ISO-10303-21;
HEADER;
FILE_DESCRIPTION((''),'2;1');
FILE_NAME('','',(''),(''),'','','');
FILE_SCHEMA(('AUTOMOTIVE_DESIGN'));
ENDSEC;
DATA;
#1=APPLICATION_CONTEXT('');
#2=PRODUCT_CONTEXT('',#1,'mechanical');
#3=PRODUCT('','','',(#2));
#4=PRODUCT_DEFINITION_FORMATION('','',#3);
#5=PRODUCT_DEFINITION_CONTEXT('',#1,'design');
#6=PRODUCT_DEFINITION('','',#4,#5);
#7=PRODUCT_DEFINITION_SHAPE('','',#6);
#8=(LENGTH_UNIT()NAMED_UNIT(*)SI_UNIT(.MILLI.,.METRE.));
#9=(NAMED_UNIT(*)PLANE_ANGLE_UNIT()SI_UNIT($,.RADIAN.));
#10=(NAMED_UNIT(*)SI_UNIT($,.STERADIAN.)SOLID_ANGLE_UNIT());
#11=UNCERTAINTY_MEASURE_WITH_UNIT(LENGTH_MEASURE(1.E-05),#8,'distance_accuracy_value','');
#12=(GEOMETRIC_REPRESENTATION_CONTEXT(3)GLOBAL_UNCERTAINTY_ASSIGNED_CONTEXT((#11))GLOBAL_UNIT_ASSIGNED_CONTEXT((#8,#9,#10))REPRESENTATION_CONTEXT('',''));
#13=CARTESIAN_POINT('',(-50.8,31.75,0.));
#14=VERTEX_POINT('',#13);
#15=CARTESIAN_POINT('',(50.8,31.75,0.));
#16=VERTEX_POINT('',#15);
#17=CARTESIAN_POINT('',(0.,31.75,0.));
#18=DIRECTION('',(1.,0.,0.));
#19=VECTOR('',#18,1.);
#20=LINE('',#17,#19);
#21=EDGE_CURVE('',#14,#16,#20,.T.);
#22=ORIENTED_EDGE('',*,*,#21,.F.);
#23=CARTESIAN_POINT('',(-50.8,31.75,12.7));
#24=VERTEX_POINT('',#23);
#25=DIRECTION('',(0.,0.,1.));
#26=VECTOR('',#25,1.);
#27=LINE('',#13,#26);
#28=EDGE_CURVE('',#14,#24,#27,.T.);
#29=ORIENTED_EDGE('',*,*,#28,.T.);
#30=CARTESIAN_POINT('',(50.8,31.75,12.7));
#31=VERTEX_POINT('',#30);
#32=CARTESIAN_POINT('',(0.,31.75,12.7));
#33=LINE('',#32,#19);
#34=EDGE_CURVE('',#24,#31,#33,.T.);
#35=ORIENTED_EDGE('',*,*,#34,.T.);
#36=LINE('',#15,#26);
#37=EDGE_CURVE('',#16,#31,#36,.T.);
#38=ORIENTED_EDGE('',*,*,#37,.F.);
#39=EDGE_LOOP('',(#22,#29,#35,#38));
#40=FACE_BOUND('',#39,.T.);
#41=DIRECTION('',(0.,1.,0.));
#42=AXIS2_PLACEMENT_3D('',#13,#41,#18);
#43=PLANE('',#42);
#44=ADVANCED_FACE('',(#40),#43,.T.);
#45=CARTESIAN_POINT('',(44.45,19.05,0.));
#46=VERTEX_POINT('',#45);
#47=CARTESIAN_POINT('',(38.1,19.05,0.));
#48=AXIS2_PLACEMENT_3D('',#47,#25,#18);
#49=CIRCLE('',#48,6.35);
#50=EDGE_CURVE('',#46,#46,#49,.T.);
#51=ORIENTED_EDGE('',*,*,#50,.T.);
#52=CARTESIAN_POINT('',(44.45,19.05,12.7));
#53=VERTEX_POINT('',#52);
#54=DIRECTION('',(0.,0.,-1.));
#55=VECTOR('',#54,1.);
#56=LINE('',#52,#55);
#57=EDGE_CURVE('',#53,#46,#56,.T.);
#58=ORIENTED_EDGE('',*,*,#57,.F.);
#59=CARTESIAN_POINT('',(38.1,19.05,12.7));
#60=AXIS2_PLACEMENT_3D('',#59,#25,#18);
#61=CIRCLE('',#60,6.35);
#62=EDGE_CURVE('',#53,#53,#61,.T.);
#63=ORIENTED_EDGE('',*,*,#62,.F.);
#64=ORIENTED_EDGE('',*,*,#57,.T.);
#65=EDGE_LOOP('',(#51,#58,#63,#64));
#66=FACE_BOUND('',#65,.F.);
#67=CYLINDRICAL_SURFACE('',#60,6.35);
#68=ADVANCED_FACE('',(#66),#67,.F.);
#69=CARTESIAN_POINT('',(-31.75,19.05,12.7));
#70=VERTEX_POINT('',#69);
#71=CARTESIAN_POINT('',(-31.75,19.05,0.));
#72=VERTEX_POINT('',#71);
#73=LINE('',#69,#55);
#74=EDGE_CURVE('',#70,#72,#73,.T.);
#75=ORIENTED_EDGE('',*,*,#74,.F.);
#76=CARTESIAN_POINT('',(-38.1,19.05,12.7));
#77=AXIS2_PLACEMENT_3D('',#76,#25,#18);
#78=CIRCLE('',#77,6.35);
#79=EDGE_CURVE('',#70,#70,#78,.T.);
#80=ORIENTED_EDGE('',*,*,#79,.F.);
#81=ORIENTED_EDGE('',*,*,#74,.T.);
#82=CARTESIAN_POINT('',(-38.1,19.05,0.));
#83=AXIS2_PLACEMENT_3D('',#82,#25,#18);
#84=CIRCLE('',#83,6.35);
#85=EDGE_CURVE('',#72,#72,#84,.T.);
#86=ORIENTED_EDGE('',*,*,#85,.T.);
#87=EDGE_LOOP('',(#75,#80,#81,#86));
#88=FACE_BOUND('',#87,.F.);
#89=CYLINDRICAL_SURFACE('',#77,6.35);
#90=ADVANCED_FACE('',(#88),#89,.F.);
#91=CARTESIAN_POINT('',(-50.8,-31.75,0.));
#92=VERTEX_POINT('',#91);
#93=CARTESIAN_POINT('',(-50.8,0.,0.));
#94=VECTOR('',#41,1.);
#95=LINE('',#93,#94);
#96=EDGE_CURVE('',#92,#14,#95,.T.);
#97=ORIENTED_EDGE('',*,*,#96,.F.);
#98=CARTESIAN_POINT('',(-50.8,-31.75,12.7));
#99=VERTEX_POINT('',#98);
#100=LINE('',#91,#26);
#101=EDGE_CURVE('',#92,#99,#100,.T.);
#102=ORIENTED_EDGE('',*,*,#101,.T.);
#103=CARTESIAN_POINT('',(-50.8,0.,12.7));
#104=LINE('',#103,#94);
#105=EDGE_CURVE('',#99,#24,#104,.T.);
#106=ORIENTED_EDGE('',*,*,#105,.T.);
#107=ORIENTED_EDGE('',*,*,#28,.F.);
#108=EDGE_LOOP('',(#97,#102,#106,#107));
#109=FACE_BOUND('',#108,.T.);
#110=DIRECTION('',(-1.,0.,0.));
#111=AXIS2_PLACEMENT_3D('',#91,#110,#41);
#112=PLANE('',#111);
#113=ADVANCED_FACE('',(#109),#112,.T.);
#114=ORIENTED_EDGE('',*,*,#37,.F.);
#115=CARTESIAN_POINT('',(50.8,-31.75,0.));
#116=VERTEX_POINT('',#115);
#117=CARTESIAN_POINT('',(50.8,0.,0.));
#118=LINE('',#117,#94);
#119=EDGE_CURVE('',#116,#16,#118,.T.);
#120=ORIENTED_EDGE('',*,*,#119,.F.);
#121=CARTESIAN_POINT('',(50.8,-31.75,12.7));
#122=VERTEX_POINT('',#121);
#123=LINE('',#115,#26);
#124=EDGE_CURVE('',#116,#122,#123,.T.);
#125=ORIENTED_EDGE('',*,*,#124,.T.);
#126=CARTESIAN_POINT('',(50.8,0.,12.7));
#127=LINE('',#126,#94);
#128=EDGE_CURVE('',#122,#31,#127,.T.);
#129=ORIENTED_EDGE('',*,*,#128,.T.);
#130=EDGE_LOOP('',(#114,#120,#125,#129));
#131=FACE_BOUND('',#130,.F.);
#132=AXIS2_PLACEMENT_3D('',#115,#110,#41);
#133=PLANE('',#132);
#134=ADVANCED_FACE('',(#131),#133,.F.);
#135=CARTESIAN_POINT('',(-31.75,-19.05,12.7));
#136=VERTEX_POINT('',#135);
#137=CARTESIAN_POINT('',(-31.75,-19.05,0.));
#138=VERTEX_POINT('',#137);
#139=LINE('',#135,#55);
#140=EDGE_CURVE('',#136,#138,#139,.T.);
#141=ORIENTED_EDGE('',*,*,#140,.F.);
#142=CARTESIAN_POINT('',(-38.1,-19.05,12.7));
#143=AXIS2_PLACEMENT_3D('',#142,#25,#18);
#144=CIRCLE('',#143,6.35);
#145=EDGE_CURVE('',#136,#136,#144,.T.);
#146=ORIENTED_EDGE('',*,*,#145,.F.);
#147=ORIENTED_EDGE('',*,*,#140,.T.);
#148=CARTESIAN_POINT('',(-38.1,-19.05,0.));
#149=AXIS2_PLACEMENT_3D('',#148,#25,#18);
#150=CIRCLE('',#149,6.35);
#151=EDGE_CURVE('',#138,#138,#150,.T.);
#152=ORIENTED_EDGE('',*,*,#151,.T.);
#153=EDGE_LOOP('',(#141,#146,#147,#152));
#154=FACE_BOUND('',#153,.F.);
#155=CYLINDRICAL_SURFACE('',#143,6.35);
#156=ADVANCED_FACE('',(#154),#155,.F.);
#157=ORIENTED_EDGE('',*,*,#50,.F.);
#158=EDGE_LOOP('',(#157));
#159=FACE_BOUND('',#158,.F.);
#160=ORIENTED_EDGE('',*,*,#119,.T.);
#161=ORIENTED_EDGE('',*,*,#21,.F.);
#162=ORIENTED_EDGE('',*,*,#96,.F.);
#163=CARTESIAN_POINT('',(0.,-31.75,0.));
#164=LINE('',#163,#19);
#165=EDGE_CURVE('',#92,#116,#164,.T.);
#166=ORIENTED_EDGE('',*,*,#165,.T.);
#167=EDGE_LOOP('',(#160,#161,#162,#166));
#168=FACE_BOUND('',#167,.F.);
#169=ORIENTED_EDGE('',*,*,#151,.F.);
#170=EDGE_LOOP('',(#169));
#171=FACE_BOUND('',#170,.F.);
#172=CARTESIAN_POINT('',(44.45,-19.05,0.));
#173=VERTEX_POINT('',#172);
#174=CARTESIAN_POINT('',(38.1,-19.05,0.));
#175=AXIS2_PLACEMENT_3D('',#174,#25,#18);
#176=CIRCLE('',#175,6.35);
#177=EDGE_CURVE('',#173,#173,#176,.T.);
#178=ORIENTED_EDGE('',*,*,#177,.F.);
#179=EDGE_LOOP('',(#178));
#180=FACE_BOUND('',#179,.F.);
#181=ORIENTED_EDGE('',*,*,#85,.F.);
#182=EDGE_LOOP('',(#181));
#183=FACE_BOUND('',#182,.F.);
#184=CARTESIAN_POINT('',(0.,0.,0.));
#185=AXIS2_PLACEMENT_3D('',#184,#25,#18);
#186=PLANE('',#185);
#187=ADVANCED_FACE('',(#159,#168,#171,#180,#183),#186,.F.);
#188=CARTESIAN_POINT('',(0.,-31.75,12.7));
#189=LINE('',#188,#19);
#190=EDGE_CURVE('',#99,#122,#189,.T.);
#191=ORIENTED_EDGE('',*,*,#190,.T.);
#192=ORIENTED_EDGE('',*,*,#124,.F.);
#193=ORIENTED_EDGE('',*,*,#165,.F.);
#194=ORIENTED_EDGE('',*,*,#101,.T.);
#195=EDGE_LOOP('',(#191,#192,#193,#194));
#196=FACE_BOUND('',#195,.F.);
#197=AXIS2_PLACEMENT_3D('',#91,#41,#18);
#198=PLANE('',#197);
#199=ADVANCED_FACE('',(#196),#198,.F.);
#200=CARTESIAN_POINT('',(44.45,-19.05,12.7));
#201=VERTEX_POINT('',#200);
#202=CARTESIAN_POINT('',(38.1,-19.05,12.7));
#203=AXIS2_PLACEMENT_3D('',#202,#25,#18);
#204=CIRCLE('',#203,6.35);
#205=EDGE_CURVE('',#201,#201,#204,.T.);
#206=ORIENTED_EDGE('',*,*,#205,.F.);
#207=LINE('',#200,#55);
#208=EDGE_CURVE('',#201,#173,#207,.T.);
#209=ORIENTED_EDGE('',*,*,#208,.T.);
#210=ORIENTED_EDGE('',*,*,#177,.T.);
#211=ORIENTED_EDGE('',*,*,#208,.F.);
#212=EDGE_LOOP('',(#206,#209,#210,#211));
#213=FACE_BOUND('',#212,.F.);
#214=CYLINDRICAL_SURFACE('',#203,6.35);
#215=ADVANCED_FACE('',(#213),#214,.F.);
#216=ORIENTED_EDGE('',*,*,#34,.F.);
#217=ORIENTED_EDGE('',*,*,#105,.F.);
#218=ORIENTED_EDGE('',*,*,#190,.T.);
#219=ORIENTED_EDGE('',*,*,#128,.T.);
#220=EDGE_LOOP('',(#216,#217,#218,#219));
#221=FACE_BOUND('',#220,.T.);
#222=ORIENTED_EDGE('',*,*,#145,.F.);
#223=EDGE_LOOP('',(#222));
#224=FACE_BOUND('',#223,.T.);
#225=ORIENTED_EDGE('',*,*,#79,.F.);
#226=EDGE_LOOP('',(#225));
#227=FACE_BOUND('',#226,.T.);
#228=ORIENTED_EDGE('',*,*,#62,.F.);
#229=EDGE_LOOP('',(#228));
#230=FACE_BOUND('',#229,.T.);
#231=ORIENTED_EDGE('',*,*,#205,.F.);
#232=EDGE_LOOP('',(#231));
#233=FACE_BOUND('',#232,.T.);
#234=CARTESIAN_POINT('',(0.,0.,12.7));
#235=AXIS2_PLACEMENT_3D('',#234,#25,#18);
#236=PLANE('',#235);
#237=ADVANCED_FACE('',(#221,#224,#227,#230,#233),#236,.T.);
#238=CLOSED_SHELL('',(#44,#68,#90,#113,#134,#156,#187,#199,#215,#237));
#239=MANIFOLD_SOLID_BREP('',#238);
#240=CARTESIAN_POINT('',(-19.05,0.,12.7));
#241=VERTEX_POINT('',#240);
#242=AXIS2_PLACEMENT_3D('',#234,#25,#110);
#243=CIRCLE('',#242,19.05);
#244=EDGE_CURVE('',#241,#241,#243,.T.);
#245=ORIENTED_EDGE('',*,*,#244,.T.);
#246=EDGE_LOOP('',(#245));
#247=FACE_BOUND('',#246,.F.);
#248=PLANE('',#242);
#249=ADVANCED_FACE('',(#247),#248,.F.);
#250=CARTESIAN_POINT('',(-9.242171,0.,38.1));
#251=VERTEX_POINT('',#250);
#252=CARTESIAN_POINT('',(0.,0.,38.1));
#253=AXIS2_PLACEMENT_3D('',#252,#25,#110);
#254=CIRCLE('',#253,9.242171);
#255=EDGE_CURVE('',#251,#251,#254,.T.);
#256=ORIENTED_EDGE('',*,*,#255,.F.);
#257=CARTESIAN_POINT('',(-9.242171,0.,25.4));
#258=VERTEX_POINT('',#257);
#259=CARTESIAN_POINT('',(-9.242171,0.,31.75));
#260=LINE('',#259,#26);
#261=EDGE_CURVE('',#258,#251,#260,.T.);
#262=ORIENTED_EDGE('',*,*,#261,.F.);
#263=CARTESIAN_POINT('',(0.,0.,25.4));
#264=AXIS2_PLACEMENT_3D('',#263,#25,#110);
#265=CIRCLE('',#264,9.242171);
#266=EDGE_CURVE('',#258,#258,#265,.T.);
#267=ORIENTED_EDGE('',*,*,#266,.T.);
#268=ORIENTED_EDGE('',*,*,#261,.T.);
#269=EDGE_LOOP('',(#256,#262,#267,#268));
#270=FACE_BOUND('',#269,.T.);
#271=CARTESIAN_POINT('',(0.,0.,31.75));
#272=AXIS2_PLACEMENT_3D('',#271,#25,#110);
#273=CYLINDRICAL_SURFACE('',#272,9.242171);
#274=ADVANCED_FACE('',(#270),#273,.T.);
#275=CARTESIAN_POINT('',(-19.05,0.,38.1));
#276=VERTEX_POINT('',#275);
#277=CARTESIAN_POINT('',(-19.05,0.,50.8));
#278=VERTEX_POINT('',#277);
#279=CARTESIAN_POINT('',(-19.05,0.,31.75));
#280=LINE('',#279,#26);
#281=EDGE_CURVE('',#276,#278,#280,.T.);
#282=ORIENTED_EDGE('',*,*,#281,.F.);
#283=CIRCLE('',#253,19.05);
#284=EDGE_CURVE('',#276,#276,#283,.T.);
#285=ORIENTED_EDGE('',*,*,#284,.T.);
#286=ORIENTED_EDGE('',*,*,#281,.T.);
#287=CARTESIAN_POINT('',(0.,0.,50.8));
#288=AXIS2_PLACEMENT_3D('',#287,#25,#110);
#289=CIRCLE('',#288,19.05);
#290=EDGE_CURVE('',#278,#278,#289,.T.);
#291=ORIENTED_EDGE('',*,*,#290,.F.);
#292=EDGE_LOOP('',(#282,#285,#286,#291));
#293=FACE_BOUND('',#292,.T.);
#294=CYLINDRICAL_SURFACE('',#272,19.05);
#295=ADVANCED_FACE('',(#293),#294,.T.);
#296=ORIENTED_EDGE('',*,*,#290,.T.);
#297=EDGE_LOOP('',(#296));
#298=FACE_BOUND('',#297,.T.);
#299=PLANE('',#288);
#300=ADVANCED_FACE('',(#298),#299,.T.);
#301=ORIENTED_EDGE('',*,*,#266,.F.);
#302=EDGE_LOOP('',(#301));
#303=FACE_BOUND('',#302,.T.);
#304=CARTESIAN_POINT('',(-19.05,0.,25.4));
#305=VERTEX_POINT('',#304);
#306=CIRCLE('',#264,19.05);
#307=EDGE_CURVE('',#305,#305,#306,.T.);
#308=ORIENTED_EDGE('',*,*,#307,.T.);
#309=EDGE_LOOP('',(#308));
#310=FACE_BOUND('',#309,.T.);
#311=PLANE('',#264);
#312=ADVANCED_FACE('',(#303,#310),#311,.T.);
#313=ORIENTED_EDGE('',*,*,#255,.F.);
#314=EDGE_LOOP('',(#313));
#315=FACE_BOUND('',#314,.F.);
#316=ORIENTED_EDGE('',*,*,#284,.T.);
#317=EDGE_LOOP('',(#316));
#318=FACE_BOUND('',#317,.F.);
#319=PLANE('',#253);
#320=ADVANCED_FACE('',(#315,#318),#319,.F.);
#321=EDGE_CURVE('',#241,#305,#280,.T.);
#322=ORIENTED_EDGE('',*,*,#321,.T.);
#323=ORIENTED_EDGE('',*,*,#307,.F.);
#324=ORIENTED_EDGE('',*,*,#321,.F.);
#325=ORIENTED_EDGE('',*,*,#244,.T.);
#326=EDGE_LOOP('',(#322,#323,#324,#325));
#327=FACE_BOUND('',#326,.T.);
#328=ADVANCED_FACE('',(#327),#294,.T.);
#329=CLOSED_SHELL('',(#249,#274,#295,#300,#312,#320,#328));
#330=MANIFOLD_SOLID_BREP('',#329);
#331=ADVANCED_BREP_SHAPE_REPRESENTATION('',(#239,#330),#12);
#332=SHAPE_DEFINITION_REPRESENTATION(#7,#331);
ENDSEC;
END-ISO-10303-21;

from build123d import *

# Parameters (mm, degrees)
F0_W     = 101.6
F0_H     = 63.5
F1_DEPTH = 12.7
F2_R     = 6.35
F3_DEPTH = 25.4
F4_W     = 19.05
F4_H     = 38.1
F6_W     = 36.313035
F6_H     = 12.7


with BuildPart() as f1:
    # F0 (on Top) → F1 (new body)
    with BuildSketch(Plane.XY):
        Rectangle(F0_W, F0_H)
    extrude(amount=F1_DEPTH)

    # F2 (on face) → F3 (cut)
    with BuildSketch(Plane.XY.offset(12.7)):
        with Locations((-38.1, -19.05)):
            Circle(F2_R)
        with Locations((-38.1, 19.05)):
            Circle(F2_R)
        with Locations((38.1, -19.05)):
            Circle(F2_R)
        with Locations((38.1, 19.05)):
            Circle(F2_R)
    extrude(amount=-F3_DEPTH, mode=Mode.SUBTRACT)


with BuildPart() as f5:
    # F4 (on Front) → F5 (revolve)
    with BuildSketch(Plane.XZ):
        with Locations((-9.525, 31.75)):
            Rectangle(F4_W, F4_H)
    revolve(axis=Axis((0, 0, 31.75), (0, 0, 1)))

    # F6 (on Front) → F7 (revolve, cut)
    with BuildSketch(Plane.XZ):
        with Locations((-27.398689, 31.75)):
            Rectangle(F6_W, F6_H)
    revolve(axis=Axis((0, 0, 33.592541), (0, 0, 1)), mode=Mode.SUBTRACT)


solid = Compound([f1.part, f5.part])
